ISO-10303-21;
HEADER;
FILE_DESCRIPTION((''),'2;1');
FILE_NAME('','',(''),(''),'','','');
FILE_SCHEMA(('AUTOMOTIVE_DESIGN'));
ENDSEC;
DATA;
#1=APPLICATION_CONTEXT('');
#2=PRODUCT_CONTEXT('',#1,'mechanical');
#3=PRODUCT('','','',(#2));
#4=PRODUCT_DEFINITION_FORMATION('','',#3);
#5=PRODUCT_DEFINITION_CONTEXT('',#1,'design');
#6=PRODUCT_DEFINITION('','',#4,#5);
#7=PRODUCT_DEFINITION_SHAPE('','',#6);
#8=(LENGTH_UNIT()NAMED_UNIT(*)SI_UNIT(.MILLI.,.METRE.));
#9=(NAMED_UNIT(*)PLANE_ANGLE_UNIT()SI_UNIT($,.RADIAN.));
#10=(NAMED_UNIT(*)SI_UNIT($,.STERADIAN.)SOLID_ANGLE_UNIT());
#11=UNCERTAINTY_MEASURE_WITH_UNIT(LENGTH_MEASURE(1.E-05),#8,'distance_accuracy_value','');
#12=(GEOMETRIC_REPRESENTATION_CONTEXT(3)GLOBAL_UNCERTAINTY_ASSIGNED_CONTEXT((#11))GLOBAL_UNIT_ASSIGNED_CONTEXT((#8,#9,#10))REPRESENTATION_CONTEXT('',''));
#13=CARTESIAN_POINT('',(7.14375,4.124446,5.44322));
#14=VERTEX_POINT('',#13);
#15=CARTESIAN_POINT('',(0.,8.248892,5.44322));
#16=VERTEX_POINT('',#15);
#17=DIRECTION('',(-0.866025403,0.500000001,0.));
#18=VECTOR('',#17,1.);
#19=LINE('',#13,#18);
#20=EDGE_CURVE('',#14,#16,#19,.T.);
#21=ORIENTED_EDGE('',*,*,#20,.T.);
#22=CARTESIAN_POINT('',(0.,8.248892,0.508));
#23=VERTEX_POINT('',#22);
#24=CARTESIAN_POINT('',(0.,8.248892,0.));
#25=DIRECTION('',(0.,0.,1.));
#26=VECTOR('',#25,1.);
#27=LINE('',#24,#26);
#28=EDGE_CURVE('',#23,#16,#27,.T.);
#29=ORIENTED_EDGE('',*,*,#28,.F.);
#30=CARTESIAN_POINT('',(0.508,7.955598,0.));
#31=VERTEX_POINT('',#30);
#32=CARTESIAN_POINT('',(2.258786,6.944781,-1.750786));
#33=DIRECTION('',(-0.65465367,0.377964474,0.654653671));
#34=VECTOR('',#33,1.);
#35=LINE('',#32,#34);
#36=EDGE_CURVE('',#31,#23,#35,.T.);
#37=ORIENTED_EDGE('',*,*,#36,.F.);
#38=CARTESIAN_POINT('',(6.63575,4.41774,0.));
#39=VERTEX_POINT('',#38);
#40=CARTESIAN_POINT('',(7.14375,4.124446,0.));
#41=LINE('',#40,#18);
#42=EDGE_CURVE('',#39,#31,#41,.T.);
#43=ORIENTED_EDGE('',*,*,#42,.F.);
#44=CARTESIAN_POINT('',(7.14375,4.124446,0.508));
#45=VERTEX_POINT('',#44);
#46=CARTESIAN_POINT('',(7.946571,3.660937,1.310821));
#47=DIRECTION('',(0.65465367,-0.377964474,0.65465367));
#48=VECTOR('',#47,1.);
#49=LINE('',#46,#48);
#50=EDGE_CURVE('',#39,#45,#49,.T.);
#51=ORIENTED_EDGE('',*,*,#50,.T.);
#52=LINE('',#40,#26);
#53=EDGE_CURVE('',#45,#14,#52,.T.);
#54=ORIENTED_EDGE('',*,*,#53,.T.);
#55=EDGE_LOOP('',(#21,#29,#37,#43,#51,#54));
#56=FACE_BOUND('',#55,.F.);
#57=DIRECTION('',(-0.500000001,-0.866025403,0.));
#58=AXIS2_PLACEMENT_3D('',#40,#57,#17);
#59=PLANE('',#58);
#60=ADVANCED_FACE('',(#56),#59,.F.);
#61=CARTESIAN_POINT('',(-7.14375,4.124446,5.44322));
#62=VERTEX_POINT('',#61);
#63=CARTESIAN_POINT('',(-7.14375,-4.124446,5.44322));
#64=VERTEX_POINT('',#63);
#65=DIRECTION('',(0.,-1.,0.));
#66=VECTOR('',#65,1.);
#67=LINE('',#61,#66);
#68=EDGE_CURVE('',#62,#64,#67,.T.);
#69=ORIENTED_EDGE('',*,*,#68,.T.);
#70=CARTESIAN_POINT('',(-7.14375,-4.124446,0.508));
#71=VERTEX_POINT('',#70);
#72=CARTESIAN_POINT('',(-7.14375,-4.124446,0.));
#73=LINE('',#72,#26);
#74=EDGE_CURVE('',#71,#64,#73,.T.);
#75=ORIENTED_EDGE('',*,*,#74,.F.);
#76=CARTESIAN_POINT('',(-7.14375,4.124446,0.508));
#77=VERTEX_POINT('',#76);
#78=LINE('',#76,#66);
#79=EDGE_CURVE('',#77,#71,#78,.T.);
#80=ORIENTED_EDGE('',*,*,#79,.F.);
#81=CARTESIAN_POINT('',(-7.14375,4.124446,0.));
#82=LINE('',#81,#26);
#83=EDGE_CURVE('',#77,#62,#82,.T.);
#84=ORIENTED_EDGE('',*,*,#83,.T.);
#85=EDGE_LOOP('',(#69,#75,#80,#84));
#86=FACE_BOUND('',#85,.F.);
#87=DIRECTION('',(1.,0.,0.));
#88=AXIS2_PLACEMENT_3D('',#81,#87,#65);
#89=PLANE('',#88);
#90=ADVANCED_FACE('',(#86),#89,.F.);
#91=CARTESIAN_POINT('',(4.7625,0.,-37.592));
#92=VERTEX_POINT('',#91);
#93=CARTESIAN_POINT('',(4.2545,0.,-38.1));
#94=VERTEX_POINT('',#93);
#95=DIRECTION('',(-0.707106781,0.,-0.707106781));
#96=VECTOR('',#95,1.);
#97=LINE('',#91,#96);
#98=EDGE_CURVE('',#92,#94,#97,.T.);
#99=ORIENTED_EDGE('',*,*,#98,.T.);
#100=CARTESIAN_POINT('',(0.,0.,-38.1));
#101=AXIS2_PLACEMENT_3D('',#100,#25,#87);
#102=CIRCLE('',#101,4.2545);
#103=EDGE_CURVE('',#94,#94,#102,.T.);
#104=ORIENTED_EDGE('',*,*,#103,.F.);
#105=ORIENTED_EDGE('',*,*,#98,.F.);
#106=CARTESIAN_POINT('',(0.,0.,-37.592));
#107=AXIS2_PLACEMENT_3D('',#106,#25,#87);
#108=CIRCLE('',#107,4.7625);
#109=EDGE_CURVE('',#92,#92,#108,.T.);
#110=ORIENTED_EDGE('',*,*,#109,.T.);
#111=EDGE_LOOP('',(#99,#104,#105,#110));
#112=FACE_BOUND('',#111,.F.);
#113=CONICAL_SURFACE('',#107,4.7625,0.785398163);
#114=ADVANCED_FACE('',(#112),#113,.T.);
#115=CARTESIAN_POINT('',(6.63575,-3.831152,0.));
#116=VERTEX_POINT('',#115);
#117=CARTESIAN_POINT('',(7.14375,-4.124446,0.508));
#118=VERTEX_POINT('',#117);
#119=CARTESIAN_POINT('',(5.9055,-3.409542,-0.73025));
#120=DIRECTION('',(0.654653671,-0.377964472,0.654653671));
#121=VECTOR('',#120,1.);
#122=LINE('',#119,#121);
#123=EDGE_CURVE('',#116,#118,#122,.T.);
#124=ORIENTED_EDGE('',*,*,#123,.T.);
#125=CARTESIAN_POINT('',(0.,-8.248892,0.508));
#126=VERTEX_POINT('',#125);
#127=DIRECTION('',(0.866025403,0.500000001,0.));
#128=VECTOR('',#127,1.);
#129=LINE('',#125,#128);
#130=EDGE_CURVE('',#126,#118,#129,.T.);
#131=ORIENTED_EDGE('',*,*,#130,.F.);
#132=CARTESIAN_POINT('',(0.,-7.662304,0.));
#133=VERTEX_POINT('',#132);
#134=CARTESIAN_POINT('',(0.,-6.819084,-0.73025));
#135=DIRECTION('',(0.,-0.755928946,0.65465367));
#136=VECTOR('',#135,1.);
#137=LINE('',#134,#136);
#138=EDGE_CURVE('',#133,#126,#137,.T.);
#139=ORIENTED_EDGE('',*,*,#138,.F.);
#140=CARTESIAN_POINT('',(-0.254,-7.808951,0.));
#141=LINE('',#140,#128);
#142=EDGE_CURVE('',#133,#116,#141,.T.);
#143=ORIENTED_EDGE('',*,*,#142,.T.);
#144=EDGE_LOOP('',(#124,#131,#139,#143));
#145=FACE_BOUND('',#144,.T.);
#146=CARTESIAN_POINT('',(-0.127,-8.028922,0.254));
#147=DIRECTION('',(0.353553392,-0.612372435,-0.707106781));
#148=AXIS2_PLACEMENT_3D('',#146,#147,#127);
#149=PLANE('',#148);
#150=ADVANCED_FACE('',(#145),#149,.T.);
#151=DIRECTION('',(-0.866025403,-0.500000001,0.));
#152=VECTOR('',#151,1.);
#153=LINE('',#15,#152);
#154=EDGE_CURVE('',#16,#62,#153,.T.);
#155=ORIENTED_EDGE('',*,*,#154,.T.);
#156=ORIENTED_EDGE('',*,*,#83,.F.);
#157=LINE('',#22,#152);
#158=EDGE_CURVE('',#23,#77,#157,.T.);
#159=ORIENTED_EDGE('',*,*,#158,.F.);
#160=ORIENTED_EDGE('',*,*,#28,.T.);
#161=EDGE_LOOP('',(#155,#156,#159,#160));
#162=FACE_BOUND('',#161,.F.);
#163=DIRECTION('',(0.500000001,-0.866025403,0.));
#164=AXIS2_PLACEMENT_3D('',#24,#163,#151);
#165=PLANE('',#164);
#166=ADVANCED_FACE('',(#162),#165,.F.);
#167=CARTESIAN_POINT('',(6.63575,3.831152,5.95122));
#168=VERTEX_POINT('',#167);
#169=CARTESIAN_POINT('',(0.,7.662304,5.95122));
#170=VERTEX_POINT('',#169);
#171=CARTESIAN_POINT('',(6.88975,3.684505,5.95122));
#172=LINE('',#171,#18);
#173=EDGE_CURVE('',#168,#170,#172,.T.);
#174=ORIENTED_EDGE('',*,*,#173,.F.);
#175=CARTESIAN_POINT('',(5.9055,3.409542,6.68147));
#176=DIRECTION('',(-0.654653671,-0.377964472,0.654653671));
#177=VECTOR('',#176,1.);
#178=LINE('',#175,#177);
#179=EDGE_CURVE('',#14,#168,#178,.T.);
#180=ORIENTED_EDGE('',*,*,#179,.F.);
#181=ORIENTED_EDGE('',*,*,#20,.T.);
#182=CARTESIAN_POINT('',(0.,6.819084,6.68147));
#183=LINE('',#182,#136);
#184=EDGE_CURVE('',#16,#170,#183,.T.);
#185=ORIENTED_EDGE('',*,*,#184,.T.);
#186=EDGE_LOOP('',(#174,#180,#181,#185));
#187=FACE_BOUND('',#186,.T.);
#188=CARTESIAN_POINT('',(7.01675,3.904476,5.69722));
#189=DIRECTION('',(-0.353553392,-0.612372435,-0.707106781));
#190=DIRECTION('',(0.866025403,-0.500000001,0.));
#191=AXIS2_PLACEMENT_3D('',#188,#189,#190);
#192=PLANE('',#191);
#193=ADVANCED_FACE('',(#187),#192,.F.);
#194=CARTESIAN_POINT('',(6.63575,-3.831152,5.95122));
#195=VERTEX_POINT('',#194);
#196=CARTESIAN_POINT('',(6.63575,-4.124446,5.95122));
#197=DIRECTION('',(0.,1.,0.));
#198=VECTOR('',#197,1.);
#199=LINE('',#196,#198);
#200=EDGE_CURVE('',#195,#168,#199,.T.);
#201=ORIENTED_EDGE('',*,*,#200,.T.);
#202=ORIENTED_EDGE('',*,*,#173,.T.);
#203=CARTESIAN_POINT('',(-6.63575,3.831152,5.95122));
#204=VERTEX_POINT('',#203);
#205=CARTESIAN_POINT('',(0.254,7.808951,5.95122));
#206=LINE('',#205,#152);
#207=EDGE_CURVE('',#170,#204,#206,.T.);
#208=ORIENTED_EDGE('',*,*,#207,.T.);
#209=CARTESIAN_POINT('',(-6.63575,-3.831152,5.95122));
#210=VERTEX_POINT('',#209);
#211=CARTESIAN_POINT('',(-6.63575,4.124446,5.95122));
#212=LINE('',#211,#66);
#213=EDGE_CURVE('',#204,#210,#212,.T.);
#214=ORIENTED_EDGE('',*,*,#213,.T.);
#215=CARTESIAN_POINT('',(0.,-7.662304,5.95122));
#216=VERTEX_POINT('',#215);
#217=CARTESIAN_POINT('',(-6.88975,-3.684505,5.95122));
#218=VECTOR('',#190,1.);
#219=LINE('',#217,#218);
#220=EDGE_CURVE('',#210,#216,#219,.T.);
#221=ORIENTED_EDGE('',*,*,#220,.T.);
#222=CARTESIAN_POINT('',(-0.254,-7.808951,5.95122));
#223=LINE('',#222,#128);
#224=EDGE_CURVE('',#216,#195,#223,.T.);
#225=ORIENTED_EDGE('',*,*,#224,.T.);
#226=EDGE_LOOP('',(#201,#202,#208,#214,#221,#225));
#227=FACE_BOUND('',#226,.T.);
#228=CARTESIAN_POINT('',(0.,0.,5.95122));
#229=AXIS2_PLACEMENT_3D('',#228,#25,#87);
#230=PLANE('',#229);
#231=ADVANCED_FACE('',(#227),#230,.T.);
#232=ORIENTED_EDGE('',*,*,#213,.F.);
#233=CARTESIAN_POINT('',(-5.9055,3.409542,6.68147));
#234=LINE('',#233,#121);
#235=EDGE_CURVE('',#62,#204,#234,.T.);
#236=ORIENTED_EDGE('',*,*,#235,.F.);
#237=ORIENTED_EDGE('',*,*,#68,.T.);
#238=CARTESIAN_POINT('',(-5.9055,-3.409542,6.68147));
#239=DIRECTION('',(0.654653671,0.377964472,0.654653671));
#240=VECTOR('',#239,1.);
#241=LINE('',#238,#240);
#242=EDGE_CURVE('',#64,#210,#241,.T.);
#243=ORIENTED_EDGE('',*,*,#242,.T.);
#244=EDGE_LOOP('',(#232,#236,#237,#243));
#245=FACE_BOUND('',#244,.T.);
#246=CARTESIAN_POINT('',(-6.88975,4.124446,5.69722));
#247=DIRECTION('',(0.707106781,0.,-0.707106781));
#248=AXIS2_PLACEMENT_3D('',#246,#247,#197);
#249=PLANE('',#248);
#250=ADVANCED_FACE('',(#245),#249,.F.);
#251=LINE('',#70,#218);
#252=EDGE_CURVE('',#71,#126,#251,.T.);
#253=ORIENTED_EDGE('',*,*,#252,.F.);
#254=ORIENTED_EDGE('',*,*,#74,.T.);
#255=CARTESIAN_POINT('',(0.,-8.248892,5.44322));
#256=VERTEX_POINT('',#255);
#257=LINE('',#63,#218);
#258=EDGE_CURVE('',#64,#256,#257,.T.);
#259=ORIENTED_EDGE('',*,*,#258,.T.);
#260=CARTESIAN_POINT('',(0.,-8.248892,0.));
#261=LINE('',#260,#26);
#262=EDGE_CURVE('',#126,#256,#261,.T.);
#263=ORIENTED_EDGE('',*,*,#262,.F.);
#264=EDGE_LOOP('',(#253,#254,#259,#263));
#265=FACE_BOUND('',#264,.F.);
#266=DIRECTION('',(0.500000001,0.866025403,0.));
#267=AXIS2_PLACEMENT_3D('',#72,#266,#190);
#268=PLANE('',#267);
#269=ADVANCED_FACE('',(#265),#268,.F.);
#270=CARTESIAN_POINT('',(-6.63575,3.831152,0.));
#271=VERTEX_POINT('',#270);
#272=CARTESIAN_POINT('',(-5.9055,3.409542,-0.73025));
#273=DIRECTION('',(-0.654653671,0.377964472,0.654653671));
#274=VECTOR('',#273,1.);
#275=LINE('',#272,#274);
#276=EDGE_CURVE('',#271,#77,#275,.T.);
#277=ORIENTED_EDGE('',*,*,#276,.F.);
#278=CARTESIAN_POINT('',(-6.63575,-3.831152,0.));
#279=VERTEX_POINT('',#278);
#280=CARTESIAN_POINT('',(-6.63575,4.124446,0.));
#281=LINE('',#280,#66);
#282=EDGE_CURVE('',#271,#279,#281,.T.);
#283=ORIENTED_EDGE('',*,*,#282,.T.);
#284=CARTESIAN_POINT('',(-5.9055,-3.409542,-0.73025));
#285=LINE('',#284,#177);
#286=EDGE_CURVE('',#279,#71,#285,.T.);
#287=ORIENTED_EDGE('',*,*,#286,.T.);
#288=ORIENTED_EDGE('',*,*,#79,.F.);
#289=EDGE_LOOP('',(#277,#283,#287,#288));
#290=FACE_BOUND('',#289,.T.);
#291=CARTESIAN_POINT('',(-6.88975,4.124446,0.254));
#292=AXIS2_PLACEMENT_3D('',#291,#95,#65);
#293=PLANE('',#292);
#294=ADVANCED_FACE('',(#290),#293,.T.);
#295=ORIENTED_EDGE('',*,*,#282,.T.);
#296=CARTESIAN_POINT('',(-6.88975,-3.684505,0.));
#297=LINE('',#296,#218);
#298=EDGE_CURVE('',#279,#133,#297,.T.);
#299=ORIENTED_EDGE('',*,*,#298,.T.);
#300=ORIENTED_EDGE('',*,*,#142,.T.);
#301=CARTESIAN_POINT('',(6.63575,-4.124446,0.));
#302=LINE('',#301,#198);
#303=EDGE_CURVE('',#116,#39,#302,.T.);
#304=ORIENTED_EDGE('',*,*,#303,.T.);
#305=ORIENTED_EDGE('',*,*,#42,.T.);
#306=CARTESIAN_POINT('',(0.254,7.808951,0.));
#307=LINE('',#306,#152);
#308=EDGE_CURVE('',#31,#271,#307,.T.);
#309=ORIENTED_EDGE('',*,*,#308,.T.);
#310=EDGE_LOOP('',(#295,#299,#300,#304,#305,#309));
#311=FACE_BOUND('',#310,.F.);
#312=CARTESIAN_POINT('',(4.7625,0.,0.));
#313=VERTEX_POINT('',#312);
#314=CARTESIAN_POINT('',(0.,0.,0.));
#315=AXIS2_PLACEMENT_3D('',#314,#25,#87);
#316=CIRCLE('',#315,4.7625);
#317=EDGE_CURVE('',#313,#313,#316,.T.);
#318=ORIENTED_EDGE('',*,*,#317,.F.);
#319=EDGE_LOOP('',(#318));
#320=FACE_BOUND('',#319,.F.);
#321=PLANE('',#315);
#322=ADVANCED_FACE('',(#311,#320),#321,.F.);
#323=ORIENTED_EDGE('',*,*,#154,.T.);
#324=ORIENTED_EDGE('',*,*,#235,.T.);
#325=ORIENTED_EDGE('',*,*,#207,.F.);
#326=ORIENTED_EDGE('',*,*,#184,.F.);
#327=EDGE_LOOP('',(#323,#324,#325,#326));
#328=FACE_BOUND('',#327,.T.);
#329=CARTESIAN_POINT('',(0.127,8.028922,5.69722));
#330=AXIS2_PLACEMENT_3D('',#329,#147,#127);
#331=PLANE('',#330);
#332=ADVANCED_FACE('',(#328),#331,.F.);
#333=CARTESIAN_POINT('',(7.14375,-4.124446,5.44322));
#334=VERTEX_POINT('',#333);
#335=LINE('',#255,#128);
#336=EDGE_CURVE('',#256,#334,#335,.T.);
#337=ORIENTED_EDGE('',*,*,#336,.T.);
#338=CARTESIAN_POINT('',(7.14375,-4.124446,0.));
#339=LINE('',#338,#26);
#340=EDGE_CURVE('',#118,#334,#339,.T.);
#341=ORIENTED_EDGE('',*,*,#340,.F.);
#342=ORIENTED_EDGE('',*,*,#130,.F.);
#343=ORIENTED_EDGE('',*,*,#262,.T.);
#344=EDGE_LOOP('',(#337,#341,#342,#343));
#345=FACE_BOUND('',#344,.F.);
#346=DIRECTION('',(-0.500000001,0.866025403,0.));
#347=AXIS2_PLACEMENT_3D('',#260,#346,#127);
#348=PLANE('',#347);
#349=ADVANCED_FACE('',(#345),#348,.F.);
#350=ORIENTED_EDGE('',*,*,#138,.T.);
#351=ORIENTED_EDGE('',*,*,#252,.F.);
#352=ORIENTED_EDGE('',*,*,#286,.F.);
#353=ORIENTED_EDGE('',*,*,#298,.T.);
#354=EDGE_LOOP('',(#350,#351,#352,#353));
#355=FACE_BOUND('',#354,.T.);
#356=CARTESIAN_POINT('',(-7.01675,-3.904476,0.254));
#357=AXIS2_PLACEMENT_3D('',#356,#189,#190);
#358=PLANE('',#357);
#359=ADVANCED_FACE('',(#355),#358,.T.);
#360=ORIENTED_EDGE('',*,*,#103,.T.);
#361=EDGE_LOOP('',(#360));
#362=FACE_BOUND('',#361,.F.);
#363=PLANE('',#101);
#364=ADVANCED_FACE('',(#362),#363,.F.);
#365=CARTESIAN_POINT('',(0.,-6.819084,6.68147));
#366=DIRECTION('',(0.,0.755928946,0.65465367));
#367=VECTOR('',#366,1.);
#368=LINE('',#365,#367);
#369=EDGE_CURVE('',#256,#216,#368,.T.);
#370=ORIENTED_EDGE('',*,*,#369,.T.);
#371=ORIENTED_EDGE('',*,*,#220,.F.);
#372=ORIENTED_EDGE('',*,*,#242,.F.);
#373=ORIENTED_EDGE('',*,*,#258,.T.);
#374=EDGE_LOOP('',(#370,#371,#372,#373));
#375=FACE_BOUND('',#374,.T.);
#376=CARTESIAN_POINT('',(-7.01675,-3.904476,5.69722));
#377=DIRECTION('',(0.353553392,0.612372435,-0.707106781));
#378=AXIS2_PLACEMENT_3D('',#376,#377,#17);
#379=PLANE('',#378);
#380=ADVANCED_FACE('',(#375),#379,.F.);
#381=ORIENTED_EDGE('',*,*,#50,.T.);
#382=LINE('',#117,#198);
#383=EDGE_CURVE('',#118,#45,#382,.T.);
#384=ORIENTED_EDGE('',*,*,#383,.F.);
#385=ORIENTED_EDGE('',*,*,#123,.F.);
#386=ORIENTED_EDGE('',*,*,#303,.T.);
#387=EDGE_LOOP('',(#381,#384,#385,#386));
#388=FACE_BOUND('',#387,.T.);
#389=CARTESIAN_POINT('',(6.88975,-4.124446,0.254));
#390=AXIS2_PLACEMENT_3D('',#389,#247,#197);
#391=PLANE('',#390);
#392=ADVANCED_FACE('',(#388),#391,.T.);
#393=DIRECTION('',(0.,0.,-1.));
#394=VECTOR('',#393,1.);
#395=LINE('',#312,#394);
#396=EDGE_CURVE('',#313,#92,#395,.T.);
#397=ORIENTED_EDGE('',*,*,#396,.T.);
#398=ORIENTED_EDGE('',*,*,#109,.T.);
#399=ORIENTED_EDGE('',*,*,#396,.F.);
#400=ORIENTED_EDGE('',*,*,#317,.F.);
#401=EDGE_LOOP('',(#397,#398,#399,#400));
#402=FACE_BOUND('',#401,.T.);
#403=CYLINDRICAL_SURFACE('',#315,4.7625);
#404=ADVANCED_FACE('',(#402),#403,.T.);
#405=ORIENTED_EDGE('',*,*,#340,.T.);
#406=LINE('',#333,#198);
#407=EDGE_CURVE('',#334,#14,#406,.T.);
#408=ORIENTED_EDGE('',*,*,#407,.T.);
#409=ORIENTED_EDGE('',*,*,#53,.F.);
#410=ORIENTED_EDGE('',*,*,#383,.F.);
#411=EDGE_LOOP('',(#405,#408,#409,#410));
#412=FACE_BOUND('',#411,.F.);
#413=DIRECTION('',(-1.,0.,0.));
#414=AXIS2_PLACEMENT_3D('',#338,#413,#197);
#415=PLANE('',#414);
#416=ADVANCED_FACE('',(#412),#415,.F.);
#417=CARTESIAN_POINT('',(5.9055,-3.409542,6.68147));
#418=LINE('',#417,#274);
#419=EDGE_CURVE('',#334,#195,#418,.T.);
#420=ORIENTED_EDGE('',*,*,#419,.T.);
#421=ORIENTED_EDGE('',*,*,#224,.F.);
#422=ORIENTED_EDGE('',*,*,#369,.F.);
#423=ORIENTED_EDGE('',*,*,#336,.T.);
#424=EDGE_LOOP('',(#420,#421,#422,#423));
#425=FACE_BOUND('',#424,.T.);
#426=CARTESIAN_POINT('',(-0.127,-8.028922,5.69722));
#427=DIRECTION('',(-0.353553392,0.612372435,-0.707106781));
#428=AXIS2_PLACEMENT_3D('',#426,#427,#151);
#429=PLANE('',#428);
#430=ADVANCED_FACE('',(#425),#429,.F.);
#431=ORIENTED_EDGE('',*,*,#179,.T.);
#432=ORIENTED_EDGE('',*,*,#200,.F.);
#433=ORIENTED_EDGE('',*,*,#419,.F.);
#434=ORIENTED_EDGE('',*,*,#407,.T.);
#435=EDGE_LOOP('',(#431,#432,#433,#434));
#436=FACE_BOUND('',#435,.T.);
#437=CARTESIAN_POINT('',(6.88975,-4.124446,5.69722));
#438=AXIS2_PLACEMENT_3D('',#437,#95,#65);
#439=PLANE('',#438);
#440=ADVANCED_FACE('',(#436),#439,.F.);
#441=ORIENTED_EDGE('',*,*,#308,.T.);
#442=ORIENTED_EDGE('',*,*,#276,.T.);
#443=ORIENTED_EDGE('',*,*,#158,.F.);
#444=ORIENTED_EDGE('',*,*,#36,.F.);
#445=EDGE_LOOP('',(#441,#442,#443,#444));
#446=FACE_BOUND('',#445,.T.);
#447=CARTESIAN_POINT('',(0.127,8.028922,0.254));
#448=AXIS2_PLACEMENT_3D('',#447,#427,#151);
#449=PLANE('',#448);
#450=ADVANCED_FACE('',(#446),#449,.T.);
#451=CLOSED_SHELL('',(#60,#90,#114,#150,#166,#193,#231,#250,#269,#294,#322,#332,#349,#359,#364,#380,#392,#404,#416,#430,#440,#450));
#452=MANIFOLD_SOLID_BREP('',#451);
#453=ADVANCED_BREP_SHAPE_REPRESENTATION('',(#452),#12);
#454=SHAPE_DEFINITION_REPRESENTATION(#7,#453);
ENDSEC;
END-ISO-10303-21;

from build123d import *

# Parameters (mm, degrees)
F0_R     = 4.7625
F1_DEPTH = 5.95122
F2_DEPTH = 38.1
F3_SIZE  = 0.508
F4_SIZE  = 0.508


with BuildPart() as f1:
    # F0 (on Top) → F1 (new body)
    with BuildSketch(Plane.XY):
        Polygon((7.14375, -4.124446), (7.14375, 4.124446), (0, 8.248892), (-7.14375, 4.124446), (-7.14375, -4.124446), (0, -8.248892), align=None)
        Circle(F0_R, mode=Mode.SUBTRACT)
        Circle(F0_R)
    extrude(amount=F1_DEPTH)

    # F0 (on Top) → F2 (join)
    with BuildSketch(Plane.XY):
        Circle(F0_R)
    extrude(amount=-F2_DEPTH)

    # F3
    f3_edges = [f1.edges().sort_by_distance(p)[0] for p in [
        (-4.7625, 0, -38.1),
    ]]
    chamfer(f3_edges, length=F3_SIZE)

    # F4
    f4_edges = [f1.edges().sort_by_distance(p)[0] for p in [
        (3.571875, -6.186669, 5.95122),
        (7.14375, 0, 5.95122),
        (3.571875, 6.186669, 5.95122),
        (-3.571875, 6.186669, 5.95122),
        (-7.14375, 0, 5.95122),
        (-3.571875, -6.186669, 5.95122),
        (-3.571875, -6.186669, 0),
        (3.571875, -6.186669, 0),
        (7.14375, 0, 0),
        (-7.14375, 0, 0),
        (-3.571875, 6.186669, 0),
    ]]
    chamfer(f4_edges, length=F4_SIZE)


solid = f1.part
